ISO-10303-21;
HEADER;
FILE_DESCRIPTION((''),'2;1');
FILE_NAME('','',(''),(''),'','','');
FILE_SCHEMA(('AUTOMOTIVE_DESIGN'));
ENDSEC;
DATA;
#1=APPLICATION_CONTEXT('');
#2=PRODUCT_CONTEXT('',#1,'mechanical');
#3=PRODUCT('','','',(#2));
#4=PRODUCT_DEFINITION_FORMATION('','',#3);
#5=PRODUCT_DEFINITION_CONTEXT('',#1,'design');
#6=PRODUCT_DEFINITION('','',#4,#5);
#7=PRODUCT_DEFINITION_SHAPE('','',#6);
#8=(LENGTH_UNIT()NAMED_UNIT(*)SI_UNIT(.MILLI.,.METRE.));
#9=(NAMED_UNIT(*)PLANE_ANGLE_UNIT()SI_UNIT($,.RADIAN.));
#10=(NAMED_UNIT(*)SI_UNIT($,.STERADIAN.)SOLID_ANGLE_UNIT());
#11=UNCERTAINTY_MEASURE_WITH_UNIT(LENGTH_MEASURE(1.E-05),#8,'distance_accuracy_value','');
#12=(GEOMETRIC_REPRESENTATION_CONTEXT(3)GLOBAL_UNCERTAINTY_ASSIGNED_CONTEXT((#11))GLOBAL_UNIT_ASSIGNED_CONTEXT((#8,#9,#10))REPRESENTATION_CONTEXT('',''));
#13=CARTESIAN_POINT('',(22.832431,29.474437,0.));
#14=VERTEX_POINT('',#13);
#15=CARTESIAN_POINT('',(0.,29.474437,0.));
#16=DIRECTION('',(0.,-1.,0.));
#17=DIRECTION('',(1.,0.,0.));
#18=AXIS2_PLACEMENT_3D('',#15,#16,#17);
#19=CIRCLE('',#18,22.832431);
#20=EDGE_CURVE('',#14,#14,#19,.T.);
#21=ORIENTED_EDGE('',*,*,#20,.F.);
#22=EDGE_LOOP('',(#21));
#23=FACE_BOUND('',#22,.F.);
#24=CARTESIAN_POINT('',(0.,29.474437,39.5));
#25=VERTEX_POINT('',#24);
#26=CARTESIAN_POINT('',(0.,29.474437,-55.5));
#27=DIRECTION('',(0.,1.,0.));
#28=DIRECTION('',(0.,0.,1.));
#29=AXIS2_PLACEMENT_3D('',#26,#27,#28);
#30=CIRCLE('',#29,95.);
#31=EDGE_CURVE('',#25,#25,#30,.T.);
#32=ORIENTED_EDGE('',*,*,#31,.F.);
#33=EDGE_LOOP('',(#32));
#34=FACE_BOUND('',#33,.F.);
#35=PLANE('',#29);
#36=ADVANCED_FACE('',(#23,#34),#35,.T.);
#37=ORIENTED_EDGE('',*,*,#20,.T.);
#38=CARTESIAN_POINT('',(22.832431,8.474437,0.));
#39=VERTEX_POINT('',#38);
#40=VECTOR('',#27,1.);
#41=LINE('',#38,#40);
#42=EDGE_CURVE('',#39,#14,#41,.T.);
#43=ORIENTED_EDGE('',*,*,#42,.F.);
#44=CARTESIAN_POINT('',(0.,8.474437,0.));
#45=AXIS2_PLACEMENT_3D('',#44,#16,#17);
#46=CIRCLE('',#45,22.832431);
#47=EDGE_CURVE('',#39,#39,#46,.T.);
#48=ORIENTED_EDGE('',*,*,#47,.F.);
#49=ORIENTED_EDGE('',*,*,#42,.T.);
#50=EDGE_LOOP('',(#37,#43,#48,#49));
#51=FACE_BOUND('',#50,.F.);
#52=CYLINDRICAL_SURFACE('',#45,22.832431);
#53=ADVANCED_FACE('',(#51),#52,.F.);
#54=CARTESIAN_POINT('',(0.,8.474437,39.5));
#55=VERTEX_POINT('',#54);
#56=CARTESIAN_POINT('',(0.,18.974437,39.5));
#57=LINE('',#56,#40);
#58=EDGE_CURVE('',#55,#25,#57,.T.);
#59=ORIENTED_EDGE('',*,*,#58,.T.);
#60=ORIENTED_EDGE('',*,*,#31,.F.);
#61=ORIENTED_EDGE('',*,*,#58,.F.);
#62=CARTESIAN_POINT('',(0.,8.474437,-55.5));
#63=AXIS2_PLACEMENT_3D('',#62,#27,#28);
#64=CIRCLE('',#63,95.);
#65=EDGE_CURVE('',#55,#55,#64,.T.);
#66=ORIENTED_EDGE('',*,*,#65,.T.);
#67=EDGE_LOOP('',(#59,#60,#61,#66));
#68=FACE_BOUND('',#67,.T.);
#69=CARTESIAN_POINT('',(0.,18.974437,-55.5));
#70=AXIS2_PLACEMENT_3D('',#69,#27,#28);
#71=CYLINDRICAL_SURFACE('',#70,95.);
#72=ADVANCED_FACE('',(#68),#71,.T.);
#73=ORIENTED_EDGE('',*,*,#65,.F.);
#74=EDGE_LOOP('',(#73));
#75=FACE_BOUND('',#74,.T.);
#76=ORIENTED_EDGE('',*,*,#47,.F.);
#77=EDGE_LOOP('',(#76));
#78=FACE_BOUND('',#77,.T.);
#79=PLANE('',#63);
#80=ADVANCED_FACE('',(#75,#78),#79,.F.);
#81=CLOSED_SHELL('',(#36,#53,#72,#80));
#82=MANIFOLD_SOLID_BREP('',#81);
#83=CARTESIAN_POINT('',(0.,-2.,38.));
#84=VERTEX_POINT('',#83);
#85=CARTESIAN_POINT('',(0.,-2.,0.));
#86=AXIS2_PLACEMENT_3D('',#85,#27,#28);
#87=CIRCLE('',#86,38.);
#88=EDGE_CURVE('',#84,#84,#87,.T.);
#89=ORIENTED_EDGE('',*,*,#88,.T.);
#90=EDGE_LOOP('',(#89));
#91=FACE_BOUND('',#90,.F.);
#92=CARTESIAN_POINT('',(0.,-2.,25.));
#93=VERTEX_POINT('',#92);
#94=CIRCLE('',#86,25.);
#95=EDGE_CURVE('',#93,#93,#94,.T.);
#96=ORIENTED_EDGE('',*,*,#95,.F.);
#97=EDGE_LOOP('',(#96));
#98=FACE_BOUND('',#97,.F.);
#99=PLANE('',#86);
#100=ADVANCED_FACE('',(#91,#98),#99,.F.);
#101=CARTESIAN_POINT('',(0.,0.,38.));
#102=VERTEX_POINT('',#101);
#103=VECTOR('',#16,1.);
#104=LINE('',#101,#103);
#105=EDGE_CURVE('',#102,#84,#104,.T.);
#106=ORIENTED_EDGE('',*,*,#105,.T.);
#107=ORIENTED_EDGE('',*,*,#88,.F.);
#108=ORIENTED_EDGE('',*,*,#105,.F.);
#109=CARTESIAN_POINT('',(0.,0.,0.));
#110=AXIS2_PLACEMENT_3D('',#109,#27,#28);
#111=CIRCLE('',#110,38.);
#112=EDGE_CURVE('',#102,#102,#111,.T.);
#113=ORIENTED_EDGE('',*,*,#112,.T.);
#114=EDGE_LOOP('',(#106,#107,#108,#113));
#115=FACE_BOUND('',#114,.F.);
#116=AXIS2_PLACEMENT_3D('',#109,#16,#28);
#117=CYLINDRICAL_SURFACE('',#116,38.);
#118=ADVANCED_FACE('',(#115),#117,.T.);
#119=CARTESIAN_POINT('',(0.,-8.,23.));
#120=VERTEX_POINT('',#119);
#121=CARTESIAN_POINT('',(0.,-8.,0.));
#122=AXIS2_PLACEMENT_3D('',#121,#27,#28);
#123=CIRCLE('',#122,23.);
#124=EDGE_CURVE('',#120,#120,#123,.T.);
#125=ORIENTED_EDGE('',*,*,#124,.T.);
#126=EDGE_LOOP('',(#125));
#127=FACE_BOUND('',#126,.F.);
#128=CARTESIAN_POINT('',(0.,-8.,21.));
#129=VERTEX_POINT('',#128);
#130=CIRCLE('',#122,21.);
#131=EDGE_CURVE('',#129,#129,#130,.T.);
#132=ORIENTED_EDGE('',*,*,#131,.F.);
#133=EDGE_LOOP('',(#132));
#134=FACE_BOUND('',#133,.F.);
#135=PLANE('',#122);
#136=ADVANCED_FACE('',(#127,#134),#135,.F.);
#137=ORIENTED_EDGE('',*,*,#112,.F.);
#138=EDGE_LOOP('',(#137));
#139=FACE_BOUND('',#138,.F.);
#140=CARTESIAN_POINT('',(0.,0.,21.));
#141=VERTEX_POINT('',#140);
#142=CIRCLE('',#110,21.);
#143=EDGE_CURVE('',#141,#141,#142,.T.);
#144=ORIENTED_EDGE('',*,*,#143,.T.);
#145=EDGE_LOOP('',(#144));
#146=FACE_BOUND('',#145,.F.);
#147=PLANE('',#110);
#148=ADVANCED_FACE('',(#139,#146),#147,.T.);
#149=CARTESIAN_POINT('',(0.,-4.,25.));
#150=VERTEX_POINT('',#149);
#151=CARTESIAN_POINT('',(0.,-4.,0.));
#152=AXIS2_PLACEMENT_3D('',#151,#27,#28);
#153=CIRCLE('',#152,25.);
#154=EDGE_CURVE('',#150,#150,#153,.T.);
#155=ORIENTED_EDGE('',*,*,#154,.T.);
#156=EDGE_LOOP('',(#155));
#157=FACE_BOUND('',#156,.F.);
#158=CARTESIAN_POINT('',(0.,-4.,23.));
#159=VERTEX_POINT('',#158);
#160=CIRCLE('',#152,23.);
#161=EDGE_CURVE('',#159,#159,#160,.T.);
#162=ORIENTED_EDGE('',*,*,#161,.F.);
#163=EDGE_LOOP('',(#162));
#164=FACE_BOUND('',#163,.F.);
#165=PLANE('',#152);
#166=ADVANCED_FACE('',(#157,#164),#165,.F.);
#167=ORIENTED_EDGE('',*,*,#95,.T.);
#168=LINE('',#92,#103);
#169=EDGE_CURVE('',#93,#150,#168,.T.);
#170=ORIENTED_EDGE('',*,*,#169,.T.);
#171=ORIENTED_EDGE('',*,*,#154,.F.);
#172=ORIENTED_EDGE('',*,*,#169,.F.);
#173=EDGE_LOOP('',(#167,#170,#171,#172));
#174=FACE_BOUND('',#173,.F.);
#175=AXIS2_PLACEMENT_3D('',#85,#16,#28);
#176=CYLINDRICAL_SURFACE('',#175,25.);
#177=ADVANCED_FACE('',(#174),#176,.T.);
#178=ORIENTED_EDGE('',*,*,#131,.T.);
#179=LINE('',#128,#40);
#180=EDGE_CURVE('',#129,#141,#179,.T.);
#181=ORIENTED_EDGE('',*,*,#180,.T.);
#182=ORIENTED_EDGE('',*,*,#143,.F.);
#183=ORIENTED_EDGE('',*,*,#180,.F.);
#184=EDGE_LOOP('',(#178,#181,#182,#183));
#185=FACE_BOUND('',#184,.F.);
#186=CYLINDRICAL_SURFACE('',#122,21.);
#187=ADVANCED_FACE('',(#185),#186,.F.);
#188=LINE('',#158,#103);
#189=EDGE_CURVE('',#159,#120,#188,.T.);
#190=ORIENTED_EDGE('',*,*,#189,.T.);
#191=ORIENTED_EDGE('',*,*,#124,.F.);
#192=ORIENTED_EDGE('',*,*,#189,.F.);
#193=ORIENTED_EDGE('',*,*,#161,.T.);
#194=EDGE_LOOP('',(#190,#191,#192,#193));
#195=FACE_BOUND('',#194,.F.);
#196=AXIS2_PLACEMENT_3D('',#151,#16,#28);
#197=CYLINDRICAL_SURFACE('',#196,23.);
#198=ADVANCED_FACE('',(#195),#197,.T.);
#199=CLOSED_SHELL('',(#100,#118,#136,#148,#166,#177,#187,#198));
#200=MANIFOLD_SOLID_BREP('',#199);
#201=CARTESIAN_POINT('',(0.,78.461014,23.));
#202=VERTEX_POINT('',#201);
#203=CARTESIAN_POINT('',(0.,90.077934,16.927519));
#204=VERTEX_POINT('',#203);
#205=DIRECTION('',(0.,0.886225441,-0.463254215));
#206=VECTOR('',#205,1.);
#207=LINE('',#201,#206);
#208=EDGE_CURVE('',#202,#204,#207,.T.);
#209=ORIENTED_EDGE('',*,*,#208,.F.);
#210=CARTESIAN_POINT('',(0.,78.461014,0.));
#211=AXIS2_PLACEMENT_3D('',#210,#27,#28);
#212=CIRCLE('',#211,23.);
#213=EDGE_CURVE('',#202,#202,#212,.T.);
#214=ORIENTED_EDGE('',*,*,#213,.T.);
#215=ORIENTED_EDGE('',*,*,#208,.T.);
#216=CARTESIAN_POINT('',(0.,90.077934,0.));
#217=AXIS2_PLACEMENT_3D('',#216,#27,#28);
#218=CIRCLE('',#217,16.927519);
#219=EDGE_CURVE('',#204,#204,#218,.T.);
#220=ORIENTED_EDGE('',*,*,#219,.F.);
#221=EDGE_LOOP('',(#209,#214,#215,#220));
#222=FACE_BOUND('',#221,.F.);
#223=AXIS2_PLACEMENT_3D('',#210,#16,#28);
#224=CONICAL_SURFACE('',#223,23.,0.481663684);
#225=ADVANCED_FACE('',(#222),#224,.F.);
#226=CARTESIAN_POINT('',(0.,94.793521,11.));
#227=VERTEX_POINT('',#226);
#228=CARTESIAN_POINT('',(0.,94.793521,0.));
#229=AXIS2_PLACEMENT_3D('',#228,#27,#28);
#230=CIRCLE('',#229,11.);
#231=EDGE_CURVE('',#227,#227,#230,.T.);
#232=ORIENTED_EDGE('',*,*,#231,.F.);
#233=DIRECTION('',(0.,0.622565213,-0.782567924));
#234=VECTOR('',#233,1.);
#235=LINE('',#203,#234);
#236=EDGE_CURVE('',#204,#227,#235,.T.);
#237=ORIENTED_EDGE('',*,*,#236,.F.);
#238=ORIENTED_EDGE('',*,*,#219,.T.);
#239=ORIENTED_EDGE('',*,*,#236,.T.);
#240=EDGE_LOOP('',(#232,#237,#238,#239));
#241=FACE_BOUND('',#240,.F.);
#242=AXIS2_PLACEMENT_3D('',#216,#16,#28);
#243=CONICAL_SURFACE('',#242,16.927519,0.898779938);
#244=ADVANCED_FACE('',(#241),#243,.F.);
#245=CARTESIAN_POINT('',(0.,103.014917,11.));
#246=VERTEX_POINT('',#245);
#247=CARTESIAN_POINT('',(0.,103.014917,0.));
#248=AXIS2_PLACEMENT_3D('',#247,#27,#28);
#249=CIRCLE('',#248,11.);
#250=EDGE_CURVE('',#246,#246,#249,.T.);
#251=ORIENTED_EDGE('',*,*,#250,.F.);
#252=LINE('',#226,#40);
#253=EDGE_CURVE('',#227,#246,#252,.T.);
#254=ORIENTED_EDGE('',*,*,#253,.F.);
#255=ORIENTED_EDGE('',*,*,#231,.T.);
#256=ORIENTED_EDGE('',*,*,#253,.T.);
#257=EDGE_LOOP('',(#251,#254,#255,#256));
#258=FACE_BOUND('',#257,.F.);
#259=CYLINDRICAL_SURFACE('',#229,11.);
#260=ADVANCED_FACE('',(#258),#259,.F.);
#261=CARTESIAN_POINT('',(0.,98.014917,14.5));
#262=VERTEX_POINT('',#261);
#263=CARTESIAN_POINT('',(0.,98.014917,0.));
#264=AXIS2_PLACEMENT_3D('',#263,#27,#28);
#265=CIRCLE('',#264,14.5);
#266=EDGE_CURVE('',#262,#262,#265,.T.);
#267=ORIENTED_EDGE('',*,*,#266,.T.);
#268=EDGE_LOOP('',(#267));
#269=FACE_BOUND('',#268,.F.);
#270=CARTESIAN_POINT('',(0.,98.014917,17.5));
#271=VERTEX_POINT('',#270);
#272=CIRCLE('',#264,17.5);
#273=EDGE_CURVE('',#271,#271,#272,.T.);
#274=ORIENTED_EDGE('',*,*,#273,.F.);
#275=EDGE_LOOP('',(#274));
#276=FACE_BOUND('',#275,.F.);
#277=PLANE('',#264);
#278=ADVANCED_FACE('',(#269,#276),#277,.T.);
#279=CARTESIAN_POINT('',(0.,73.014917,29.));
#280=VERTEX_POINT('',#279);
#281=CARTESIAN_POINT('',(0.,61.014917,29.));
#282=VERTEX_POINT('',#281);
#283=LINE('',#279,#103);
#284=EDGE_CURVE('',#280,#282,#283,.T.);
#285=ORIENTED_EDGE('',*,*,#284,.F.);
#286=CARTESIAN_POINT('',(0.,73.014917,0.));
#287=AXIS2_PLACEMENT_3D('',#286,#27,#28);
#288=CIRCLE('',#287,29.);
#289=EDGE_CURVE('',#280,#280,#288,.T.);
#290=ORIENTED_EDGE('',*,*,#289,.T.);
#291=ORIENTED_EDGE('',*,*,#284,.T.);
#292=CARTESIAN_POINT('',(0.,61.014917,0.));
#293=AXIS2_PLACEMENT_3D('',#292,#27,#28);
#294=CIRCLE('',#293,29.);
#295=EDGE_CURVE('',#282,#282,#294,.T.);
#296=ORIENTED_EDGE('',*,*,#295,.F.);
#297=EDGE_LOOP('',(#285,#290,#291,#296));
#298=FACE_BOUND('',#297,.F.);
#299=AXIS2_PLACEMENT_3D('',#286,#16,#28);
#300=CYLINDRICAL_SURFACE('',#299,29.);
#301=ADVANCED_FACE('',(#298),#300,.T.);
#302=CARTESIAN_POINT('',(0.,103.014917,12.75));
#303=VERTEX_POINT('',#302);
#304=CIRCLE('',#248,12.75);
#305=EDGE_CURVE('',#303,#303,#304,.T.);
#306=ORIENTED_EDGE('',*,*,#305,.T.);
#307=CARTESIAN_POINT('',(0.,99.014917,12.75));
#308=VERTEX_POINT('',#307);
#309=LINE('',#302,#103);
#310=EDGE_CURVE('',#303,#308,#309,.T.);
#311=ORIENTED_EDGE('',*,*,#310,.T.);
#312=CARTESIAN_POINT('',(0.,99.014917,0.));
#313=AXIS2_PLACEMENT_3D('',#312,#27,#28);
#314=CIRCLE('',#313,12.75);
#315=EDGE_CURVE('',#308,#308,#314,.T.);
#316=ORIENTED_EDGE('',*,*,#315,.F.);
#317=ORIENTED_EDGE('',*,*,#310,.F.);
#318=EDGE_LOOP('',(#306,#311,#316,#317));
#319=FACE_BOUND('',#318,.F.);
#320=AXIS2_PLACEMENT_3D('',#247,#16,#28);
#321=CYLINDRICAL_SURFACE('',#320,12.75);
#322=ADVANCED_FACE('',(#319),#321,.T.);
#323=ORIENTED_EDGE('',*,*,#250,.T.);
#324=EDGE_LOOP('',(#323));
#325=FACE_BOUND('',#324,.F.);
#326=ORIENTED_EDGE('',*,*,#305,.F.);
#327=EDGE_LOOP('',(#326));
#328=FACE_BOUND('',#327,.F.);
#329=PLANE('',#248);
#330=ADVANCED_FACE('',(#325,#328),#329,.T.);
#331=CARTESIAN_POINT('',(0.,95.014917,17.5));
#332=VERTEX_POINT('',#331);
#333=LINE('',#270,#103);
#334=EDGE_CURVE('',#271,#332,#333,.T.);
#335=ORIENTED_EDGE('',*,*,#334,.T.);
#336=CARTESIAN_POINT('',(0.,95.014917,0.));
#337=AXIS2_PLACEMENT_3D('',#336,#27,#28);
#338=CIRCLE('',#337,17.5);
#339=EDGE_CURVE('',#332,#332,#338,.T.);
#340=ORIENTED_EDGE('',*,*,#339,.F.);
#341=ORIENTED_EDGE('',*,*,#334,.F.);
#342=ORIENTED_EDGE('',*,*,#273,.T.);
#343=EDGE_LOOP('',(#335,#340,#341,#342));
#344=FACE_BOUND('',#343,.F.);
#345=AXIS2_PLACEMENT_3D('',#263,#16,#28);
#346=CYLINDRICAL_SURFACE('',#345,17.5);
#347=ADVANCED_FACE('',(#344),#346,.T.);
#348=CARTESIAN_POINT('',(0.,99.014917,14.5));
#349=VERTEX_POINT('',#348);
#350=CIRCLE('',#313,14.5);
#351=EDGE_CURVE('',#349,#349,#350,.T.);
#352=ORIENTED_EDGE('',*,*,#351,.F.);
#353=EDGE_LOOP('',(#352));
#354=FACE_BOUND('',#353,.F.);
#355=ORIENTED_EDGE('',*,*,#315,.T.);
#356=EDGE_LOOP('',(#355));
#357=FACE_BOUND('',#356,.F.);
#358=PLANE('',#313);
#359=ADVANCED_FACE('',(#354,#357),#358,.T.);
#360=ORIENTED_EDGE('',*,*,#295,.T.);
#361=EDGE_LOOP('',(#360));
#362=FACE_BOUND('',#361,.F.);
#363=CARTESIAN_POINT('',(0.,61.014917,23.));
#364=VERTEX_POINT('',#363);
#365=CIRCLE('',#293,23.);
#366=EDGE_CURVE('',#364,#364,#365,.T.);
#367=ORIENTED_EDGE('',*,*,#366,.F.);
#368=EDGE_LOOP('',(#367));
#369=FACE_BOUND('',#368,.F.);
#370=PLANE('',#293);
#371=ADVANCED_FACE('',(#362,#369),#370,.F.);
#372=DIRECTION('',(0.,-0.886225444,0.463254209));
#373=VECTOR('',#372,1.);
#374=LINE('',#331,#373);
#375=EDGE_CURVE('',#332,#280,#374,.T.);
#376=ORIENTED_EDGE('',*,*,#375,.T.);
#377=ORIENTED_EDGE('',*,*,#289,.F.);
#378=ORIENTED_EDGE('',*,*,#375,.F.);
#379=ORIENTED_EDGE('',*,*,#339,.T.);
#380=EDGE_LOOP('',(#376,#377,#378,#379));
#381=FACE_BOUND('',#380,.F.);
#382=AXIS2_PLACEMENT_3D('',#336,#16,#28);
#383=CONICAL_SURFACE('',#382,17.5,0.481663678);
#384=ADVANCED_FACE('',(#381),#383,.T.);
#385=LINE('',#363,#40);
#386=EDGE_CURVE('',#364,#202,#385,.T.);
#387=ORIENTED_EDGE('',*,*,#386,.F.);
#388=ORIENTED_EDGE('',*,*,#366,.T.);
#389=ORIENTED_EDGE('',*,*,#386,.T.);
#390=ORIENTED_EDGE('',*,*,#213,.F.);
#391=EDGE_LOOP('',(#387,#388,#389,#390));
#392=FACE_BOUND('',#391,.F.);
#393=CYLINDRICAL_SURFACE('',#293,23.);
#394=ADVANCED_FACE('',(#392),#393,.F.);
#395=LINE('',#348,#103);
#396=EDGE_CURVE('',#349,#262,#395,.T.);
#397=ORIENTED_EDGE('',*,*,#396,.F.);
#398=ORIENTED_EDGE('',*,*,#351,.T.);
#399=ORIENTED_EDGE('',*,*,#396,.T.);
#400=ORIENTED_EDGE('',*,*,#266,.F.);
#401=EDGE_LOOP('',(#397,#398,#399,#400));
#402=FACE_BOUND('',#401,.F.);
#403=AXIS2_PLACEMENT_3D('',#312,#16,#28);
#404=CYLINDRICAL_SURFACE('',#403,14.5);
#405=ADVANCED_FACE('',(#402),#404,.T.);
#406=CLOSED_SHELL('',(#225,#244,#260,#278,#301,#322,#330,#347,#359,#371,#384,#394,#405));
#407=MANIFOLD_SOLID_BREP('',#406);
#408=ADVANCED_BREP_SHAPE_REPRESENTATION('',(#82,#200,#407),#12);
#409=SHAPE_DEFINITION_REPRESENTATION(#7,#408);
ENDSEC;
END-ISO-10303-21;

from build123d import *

# Parameters (mm, degrees)
F0_W     = 21
F0_H     = 95
F3_R     = 22.832431
F4_DEPTH = 25


with BuildPart() as f1:
    # F0 (on Right) → F1 (revolve)
    with BuildSketch(Plane.YZ):
        Polygon((-8, 21), (0, 21), (0, 38), (-2, 38), (-2, 25), (-4, 25), (-4, 23), (-8, 23), align=None)
    revolve(axis=Axis((0, -10.295414, 0), (0, 1, 0)))


with BuildPart() as f2:
    # F0 (on Right) → F2 (revolve)
    with BuildSketch(Plane.YZ):
        with Locations((18.974437, -8)):
            Rectangle(F0_W, F0_H)
    revolve(axis=Axis((0, 16.360231, -55.5), (0, 1, 0)))

    # F3 (on face) → F4 (cut)
    with BuildSketch(Plane.XZ.offset(-8.474437)):
        Circle(F3_R)
    extrude(amount=-F4_DEPTH, mode=Mode.SUBTRACT)


with BuildPart() as f5:
    # F0 (on Right) → F5 (revolve)
    with BuildSketch(Plane.YZ):
        Polygon((61.014917, 29), (61.014917, 23), (78.461014, 23), (90.077934, 16.927519), (94.793521, 11), (103.014917, 11), (103.014917, 12.75), (99.014917, 12.75), (99.014917, 14.5), (98.014917, 14.5), (98.014917, 17.5), (95.014917, 17.5), (73.014917, 29), align=None)
    revolve(axis=Axis((0, -10.295414, 0), (0, 1, 0)))


solid = Compound([f1.part, f2.part, f5.part])
